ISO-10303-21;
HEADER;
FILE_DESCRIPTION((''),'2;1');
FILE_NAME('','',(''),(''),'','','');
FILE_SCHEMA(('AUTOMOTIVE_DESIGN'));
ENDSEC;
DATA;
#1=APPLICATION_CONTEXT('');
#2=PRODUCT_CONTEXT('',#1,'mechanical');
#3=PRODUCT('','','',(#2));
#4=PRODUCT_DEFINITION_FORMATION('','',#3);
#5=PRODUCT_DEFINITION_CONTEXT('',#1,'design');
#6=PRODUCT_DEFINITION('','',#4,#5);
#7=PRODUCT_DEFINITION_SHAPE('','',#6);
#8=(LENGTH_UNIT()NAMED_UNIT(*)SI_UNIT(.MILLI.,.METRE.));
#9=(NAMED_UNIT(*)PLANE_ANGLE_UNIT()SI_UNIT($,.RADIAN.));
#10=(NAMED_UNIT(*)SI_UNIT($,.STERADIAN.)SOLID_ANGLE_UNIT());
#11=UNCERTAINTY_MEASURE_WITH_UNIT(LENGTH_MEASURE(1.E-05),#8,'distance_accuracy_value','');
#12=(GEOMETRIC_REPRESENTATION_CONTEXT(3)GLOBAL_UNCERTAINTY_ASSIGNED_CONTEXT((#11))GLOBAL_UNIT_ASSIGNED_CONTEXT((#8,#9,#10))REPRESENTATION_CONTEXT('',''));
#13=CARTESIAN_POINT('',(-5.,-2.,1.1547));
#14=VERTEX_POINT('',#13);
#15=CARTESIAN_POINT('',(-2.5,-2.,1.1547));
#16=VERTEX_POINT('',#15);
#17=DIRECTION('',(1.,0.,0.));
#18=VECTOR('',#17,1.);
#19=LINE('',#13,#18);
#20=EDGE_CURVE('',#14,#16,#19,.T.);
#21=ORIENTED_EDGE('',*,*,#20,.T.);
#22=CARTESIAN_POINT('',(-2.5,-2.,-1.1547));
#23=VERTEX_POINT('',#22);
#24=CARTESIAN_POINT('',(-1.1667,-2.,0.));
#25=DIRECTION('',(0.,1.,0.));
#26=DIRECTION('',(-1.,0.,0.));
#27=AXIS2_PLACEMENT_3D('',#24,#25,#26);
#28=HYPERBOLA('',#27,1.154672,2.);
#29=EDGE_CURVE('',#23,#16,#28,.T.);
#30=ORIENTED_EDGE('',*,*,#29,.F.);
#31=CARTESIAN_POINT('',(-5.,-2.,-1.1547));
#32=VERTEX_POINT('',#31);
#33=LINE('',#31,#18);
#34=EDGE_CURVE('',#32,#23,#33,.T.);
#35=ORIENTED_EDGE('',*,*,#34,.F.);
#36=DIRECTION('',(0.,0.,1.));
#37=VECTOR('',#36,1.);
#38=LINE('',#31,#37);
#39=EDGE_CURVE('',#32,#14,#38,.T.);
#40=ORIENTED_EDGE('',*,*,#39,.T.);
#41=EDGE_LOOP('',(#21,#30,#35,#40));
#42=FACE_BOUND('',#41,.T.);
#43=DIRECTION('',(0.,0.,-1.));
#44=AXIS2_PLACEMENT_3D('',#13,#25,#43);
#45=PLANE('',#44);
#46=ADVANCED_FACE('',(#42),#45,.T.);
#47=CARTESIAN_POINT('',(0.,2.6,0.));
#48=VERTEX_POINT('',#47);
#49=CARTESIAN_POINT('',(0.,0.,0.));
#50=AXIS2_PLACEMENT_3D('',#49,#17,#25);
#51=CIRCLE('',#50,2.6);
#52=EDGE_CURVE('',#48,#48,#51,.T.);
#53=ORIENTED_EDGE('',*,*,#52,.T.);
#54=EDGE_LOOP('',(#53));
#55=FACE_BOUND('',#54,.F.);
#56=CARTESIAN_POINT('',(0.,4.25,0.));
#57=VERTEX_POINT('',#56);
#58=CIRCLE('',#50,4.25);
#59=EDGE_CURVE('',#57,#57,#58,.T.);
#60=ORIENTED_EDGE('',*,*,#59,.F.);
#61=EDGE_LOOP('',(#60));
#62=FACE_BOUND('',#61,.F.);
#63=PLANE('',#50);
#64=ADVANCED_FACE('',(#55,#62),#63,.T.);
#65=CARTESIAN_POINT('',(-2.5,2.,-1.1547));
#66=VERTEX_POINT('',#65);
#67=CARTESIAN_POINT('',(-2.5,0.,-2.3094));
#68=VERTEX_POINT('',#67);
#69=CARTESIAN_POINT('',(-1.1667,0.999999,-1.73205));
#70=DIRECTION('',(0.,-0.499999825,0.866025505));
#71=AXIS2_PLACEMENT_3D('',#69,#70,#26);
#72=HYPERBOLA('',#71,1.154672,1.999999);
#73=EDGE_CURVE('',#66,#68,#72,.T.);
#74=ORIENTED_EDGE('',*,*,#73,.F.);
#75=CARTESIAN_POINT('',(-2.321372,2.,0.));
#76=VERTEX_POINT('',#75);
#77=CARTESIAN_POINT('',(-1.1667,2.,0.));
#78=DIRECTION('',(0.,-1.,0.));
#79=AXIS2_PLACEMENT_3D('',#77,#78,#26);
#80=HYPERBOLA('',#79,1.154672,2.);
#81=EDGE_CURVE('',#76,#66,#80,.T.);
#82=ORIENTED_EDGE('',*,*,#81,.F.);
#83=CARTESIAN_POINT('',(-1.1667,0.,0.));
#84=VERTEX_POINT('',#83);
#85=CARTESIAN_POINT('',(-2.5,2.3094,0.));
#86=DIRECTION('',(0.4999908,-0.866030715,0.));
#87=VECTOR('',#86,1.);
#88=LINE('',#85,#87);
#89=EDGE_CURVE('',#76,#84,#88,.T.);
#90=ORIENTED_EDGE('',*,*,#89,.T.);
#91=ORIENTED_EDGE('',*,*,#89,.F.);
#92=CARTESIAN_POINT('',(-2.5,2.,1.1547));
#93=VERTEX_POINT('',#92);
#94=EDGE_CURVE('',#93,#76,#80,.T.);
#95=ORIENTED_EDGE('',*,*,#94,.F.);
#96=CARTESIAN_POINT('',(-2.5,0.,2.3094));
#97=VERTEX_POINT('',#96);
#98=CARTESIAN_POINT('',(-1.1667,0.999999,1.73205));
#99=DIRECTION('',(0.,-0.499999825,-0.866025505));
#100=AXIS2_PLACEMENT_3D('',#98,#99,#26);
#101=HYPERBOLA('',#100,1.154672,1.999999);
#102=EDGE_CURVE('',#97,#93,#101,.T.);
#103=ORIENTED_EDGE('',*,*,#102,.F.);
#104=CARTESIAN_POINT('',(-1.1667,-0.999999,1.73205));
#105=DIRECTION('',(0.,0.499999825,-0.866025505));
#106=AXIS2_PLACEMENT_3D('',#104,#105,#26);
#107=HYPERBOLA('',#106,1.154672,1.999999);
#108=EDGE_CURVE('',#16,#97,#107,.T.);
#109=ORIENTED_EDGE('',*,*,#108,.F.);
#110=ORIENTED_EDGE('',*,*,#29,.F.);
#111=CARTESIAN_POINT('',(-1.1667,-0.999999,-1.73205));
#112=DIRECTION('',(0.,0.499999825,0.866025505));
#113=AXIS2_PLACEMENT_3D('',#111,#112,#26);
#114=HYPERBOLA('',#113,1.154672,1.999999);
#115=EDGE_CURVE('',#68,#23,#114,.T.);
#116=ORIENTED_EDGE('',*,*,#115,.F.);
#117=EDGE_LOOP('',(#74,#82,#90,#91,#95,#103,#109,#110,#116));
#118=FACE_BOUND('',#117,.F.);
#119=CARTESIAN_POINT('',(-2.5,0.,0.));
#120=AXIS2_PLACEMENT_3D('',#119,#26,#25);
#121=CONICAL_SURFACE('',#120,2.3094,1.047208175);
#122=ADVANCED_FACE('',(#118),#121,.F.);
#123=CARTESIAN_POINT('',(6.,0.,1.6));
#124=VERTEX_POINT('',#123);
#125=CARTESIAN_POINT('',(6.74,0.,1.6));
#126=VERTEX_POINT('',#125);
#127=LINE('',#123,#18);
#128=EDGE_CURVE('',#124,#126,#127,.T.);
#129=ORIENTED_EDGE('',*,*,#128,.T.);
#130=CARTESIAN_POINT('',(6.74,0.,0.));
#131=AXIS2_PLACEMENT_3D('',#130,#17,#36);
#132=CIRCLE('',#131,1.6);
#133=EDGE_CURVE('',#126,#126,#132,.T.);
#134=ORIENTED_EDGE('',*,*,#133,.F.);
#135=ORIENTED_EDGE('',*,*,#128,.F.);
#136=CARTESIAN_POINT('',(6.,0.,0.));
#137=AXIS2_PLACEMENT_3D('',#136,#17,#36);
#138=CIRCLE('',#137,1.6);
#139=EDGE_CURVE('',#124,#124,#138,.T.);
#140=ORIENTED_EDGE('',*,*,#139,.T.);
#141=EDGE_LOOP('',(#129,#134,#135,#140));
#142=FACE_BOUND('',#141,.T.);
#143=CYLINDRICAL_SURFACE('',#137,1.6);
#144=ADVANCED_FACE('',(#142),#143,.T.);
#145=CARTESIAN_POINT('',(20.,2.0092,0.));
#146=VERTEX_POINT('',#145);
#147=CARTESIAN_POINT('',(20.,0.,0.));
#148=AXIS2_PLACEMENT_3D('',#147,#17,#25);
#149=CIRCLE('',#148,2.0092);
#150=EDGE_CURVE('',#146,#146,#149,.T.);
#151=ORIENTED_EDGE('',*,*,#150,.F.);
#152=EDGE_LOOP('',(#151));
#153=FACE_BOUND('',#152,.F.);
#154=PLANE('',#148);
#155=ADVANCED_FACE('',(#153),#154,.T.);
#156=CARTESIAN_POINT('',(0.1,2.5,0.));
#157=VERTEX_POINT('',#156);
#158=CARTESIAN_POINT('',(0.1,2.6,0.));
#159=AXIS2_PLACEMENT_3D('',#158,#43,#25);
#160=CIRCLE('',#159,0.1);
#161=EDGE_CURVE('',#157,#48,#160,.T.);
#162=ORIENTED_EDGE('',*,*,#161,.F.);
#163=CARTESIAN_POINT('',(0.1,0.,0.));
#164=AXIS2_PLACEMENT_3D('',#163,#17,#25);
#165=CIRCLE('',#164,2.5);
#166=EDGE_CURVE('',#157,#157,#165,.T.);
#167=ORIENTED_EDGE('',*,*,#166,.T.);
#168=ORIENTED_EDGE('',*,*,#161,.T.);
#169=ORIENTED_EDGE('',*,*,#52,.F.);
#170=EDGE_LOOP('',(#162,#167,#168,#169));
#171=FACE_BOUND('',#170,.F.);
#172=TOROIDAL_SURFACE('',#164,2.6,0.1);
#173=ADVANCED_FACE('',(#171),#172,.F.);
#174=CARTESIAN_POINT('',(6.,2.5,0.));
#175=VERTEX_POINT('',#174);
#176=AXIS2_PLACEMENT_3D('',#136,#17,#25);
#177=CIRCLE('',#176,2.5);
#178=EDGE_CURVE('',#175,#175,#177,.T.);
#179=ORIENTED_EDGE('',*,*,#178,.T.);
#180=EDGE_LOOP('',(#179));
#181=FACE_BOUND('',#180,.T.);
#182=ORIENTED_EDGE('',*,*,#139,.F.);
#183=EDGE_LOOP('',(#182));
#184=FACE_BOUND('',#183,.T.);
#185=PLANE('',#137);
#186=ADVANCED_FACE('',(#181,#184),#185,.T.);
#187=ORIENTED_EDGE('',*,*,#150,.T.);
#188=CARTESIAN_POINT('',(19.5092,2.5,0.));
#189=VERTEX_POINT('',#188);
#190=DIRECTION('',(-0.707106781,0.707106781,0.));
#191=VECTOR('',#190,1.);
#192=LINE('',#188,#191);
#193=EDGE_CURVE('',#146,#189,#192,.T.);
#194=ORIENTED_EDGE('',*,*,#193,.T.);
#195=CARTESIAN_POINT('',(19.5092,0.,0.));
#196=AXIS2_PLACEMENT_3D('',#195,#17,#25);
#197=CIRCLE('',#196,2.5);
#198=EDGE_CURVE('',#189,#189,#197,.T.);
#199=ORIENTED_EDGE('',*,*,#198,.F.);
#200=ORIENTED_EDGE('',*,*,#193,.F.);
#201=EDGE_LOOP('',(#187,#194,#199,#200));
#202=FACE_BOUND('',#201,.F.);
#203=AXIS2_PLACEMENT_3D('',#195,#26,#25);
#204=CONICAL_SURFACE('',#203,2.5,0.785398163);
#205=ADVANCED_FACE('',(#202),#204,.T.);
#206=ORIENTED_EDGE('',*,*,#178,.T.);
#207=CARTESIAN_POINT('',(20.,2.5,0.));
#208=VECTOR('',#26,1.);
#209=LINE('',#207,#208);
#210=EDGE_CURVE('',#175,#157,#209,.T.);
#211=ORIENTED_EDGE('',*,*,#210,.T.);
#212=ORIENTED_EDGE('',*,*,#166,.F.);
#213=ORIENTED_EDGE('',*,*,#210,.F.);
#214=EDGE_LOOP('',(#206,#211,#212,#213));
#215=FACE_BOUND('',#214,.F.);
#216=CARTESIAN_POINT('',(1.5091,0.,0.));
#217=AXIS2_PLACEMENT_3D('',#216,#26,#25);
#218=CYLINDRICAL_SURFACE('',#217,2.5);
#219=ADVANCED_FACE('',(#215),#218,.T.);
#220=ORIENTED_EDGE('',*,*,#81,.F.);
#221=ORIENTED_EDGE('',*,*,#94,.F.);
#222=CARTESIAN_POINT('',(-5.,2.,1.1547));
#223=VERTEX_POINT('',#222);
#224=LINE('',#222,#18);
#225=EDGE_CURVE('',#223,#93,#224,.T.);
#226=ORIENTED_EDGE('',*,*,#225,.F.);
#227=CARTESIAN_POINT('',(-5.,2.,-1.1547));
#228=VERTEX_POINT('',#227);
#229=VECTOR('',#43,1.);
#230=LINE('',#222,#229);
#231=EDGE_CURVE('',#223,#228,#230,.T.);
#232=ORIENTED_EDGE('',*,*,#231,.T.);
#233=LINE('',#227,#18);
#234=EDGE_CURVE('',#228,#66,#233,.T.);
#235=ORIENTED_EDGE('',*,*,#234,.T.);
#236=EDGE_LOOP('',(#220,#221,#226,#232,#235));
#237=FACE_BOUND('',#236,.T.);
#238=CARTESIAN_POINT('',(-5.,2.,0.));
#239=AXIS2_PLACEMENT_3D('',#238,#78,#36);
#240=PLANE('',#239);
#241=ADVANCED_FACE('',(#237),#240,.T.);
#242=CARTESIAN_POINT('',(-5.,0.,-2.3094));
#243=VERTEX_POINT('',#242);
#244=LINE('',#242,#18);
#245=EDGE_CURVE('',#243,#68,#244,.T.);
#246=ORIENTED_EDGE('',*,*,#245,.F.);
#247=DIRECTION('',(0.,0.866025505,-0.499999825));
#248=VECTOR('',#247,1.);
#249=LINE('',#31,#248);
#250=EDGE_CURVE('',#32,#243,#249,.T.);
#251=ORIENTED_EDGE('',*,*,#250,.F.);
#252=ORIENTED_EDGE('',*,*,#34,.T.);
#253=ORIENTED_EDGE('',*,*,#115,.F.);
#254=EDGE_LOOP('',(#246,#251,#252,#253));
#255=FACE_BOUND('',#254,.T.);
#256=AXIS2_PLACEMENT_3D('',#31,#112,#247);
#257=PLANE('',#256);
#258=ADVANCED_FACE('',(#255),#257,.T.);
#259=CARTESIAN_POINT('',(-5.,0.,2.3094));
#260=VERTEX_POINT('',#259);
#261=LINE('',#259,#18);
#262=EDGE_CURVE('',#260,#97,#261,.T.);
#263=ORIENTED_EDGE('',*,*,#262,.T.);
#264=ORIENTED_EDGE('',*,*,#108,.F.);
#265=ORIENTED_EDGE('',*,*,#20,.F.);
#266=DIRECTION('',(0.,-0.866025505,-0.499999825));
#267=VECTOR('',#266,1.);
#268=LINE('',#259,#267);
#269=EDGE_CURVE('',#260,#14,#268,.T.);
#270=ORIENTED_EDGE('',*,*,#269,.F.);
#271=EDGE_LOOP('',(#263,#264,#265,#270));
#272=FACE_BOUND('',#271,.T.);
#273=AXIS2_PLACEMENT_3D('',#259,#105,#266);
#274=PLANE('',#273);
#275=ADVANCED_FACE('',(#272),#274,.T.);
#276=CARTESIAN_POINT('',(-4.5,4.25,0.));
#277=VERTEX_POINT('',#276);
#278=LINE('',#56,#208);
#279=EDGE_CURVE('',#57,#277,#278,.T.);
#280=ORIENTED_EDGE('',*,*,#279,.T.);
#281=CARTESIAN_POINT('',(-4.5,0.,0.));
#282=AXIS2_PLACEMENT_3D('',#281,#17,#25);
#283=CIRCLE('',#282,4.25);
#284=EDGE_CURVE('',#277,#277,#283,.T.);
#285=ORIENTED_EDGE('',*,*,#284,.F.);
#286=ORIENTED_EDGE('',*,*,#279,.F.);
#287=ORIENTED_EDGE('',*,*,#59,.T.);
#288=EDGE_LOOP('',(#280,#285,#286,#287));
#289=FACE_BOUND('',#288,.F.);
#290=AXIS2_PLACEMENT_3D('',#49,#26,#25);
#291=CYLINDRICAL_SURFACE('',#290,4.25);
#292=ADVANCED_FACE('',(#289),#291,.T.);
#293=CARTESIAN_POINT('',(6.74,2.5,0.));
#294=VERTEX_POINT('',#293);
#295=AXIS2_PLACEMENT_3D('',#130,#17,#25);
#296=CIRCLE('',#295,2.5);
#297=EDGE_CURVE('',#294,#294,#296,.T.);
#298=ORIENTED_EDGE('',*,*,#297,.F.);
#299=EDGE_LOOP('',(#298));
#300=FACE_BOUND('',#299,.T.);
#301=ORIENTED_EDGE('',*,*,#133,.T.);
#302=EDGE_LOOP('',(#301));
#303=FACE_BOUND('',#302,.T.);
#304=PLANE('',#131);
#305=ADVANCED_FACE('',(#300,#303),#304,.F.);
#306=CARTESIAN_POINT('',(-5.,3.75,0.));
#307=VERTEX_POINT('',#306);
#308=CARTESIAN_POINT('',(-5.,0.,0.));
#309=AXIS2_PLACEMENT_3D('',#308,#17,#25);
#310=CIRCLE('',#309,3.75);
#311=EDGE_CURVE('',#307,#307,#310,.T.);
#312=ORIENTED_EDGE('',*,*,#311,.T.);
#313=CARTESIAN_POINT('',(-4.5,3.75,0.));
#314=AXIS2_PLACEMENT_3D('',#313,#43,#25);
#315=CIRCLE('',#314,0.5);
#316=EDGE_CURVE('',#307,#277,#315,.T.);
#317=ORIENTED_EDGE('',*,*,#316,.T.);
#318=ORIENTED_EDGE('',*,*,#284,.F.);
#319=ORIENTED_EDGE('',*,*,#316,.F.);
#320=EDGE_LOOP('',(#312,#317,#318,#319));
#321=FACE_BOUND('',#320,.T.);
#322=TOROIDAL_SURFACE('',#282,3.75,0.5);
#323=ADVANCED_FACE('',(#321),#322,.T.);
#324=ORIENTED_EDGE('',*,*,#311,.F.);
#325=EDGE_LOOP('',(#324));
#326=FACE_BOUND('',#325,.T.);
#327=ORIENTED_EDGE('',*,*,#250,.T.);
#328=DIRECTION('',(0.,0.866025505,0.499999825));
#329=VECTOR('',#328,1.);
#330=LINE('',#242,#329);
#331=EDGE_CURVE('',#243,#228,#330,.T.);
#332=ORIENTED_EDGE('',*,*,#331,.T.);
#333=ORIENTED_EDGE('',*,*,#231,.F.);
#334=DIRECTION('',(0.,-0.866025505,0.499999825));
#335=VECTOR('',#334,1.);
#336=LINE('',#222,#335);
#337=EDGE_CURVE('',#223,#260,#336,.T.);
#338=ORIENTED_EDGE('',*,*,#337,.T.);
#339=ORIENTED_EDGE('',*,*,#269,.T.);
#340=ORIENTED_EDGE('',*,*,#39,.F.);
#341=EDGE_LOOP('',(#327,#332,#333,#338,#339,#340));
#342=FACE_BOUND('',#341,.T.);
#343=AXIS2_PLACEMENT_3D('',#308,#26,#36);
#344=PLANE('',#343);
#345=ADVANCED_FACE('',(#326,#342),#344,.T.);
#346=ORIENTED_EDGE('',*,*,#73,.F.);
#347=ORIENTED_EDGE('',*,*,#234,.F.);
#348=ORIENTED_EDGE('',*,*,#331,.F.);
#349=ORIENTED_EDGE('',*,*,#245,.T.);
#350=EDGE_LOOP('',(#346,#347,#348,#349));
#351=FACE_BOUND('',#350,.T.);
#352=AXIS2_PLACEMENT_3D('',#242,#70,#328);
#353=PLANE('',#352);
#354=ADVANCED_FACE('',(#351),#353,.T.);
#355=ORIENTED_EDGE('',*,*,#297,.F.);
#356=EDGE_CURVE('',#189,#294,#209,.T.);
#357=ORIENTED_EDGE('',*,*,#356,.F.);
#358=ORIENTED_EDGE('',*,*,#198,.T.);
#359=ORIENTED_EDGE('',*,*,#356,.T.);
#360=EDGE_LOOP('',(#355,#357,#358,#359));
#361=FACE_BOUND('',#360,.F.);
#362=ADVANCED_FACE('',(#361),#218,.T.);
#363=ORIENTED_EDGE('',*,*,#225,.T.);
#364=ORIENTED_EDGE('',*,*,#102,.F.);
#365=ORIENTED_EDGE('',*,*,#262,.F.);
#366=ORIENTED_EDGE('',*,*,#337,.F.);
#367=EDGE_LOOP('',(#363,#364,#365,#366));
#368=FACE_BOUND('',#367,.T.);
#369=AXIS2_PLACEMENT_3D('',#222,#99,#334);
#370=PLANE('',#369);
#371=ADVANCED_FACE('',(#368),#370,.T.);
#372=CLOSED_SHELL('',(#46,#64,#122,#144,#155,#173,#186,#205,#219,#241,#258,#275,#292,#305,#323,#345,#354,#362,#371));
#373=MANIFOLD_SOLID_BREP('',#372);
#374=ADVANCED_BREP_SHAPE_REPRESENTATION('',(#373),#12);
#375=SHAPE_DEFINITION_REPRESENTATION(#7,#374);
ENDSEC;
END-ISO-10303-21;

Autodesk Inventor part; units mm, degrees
ref_plane "YZ Plane" through (0, 0, 0) normal (1, 0, 0) x (0, 1, 0)
ref_plane "XZ Plane" through (0, 0, 0) normal (0, 1, 0) x (-1, 0, 0)
sketch "Skizze1" plane through (0, 0, 0) normal (0, 0, 1) x (1, 0, 0)
  line L0 (-1.1667, 0) -> (20, 0)
  line L1 (20, 0) -> (20, 2.5)
  line L2 (20, 2.5) -> (2, 2.5)
  line L3 (2, 2.5) -> (1.5091, 2.5)
  line L4 (1.5091, 2.5) -> (0, 2.5)
  line L5 (0, 2.5) -> (0, 4.25)
  line L6 (0, 4.25) -> (-5, 4.25)
  line L7 (-5, 4.25) -> (-5, 2.3094)
  line L8 (-5, 2.3094) -> (-2.5, 2.3094)
  line L9 (-2.5, 2.3094) -> (-1.1667, 0)
  line L10 (-10, 0) -> (25, 0) projected
  line L11 (0, -0.85) -> (0, 5.1) projected
  line L12 (2, 2.5) -> (0, 2.5) construction
  dimension "d1" = 18
  dimension "d2" = 0.4909
  dimension "d3" = 5
  dimension "d4" = 2.5
  dimension "d5" = 60
  dimension "d6" = 5
  dimension "d7" = 5
  dimension "d8" = 4.6188
  dimension "d9" = 8.5
  dimension "d26" = 20
revolve "Körper" add sketch "Skizze1" angle 360 about axis through (-1.1667, 0, 0) along (1, 0, 0)
sketch "Skizze2" plane through (-5, 0, 0) normal (-1, 0, 0) x (0, 0, 1)
  circle A0 centre (0, 0) radius 2.3094 projected
  line L0 (0, -5.95) -> (0, 5.95) projected
  line L1 (-5.95, 0) -> (5.95, 0) projected
  line L2 (2.3094, 0) -> (1.1547, -2)
  line L3 (1.1547, -2) -> (-1.1547, -2)
  line L4 (-1.1547, -2) -> (-2.3094, 0)
  line L5 (-2.3094, 0) -> (-1.1547, 2)
  line L6 (-1.1547, 2) -> (1.1547, 2)
  line L7 (1.1547, 2) -> (2.3094, 0)
extrude "Loch" add sketch "Skizze2" against normal up to next contours L7 A0 | A0 L2 | L6 L0 A0 | A0 L0 L3 | L0 L6 A0 | A0 L3 L0 | L4 A0 | A0 L5
fillet "Rundung1" radius 0.5 1 edges at (-5, -4.25, 0)
thread "Gewinde" size "M5x0.8" class "6g" standard "ISO Metric profile" length 18
chamfer "Fase1" distance 0.4908 distance2 0.4908 1 edges at (20, -2.5, 0) measured on face at (20, -0.7379, -0.3873)
ref_plane "Work Plane1" through (29, 0, 0) normal (0, -1, 0) x (1, 0, 0)
fillet "Fillet2" radius 0.1 1 edges at (0, -2.5, 0)
sketch "Skizze4" plane through (0, 0, 0) normal (0, 1, 0) x (-1, 0, 0)
  line L0 (-19.5092, 2.5) -> (-19.5092, -2.5) projected
  line L1 (-0.1, -2.5) -> (-0.1, 2.5) projected
  line L2 (-0.1, 2.5) -> (-19.5092, 2.5) projected
  line L3 (-6.74, 2.5) -> (-6, 2.5)
  line L4 (-6, 2.5) -> (-6, 1.6)
  line L5 (-6, 1.6) -> (-6.74, 1.6)
  line L6 (-6.74, 1.6) -> (-6.74, 2.5)
  line L7 (0, 4.25) -> (0, -4.25) projected
  line L8 (10, 0) -> (-25, 0) projected
  point P0 (0, 0)
  dimension "d31" = 6
  dimension "d32" = 3.2
  dimension "d33" = 0.74
revolve "Umdrehung2" cut sketch "Skizze4" angle 360 about axis through (-10, 0, 0) along (1, 0, 0) contours L2 L4 L5 L6
equation "\"d30\" = R"
equation "\"d17\" = RR"
equation "\"d13\" = GEL"
equation "\"d15\" = -0.5 * SPD + 0.5 * GD"
equation "\"d16\" = GUL"
equation "\"d1\" = GEL"
equation "\"d3\" = KOH"
equation "\"d4\" = INTI"
equation "\"d6\" = GD"
equation "\"d7\" = BDM"
equation "\"d8\" = 1.1547 * SW"
equation "\"d9\" = KOD"
equation "\"d26\" = NLG"
equation "\"GD\" = 5"
equation "\"NLG\" = 20"
equation "\"GEL\" = 18"
equation "\"KOD\" = 8.5"
equation "\"KOH\" = 5"
equation "\"INTI\" = 2.5"
equation "\"GAL\" = 0.61345 * PTC"
equation "\"GUL\" = 0.61345 * PTC"
equation "\"BDM\" = NND"
equation "\"SW\" = 4"
equation "\"RR\" = 0.5"
equation "\"SPD\" = NND - 1.2269 * PTC"
equation "\"R\" = 0.1"
equation "\"TOA\" = 30deg"
equation "\"GD1\" = THREADDIA - 1.2269 * PTC"
equation "\"THREADDIA\" = 5"
equation "\"FAWI\" = 45deg"
equation "\"PTC\" = 0.8"
equation "\"NND\" = 5"
equation "\"E0\" = 1.155 * SW"
properties part number "ISO 4762 - M5 x 20" material "EdelStahl - 440C"
